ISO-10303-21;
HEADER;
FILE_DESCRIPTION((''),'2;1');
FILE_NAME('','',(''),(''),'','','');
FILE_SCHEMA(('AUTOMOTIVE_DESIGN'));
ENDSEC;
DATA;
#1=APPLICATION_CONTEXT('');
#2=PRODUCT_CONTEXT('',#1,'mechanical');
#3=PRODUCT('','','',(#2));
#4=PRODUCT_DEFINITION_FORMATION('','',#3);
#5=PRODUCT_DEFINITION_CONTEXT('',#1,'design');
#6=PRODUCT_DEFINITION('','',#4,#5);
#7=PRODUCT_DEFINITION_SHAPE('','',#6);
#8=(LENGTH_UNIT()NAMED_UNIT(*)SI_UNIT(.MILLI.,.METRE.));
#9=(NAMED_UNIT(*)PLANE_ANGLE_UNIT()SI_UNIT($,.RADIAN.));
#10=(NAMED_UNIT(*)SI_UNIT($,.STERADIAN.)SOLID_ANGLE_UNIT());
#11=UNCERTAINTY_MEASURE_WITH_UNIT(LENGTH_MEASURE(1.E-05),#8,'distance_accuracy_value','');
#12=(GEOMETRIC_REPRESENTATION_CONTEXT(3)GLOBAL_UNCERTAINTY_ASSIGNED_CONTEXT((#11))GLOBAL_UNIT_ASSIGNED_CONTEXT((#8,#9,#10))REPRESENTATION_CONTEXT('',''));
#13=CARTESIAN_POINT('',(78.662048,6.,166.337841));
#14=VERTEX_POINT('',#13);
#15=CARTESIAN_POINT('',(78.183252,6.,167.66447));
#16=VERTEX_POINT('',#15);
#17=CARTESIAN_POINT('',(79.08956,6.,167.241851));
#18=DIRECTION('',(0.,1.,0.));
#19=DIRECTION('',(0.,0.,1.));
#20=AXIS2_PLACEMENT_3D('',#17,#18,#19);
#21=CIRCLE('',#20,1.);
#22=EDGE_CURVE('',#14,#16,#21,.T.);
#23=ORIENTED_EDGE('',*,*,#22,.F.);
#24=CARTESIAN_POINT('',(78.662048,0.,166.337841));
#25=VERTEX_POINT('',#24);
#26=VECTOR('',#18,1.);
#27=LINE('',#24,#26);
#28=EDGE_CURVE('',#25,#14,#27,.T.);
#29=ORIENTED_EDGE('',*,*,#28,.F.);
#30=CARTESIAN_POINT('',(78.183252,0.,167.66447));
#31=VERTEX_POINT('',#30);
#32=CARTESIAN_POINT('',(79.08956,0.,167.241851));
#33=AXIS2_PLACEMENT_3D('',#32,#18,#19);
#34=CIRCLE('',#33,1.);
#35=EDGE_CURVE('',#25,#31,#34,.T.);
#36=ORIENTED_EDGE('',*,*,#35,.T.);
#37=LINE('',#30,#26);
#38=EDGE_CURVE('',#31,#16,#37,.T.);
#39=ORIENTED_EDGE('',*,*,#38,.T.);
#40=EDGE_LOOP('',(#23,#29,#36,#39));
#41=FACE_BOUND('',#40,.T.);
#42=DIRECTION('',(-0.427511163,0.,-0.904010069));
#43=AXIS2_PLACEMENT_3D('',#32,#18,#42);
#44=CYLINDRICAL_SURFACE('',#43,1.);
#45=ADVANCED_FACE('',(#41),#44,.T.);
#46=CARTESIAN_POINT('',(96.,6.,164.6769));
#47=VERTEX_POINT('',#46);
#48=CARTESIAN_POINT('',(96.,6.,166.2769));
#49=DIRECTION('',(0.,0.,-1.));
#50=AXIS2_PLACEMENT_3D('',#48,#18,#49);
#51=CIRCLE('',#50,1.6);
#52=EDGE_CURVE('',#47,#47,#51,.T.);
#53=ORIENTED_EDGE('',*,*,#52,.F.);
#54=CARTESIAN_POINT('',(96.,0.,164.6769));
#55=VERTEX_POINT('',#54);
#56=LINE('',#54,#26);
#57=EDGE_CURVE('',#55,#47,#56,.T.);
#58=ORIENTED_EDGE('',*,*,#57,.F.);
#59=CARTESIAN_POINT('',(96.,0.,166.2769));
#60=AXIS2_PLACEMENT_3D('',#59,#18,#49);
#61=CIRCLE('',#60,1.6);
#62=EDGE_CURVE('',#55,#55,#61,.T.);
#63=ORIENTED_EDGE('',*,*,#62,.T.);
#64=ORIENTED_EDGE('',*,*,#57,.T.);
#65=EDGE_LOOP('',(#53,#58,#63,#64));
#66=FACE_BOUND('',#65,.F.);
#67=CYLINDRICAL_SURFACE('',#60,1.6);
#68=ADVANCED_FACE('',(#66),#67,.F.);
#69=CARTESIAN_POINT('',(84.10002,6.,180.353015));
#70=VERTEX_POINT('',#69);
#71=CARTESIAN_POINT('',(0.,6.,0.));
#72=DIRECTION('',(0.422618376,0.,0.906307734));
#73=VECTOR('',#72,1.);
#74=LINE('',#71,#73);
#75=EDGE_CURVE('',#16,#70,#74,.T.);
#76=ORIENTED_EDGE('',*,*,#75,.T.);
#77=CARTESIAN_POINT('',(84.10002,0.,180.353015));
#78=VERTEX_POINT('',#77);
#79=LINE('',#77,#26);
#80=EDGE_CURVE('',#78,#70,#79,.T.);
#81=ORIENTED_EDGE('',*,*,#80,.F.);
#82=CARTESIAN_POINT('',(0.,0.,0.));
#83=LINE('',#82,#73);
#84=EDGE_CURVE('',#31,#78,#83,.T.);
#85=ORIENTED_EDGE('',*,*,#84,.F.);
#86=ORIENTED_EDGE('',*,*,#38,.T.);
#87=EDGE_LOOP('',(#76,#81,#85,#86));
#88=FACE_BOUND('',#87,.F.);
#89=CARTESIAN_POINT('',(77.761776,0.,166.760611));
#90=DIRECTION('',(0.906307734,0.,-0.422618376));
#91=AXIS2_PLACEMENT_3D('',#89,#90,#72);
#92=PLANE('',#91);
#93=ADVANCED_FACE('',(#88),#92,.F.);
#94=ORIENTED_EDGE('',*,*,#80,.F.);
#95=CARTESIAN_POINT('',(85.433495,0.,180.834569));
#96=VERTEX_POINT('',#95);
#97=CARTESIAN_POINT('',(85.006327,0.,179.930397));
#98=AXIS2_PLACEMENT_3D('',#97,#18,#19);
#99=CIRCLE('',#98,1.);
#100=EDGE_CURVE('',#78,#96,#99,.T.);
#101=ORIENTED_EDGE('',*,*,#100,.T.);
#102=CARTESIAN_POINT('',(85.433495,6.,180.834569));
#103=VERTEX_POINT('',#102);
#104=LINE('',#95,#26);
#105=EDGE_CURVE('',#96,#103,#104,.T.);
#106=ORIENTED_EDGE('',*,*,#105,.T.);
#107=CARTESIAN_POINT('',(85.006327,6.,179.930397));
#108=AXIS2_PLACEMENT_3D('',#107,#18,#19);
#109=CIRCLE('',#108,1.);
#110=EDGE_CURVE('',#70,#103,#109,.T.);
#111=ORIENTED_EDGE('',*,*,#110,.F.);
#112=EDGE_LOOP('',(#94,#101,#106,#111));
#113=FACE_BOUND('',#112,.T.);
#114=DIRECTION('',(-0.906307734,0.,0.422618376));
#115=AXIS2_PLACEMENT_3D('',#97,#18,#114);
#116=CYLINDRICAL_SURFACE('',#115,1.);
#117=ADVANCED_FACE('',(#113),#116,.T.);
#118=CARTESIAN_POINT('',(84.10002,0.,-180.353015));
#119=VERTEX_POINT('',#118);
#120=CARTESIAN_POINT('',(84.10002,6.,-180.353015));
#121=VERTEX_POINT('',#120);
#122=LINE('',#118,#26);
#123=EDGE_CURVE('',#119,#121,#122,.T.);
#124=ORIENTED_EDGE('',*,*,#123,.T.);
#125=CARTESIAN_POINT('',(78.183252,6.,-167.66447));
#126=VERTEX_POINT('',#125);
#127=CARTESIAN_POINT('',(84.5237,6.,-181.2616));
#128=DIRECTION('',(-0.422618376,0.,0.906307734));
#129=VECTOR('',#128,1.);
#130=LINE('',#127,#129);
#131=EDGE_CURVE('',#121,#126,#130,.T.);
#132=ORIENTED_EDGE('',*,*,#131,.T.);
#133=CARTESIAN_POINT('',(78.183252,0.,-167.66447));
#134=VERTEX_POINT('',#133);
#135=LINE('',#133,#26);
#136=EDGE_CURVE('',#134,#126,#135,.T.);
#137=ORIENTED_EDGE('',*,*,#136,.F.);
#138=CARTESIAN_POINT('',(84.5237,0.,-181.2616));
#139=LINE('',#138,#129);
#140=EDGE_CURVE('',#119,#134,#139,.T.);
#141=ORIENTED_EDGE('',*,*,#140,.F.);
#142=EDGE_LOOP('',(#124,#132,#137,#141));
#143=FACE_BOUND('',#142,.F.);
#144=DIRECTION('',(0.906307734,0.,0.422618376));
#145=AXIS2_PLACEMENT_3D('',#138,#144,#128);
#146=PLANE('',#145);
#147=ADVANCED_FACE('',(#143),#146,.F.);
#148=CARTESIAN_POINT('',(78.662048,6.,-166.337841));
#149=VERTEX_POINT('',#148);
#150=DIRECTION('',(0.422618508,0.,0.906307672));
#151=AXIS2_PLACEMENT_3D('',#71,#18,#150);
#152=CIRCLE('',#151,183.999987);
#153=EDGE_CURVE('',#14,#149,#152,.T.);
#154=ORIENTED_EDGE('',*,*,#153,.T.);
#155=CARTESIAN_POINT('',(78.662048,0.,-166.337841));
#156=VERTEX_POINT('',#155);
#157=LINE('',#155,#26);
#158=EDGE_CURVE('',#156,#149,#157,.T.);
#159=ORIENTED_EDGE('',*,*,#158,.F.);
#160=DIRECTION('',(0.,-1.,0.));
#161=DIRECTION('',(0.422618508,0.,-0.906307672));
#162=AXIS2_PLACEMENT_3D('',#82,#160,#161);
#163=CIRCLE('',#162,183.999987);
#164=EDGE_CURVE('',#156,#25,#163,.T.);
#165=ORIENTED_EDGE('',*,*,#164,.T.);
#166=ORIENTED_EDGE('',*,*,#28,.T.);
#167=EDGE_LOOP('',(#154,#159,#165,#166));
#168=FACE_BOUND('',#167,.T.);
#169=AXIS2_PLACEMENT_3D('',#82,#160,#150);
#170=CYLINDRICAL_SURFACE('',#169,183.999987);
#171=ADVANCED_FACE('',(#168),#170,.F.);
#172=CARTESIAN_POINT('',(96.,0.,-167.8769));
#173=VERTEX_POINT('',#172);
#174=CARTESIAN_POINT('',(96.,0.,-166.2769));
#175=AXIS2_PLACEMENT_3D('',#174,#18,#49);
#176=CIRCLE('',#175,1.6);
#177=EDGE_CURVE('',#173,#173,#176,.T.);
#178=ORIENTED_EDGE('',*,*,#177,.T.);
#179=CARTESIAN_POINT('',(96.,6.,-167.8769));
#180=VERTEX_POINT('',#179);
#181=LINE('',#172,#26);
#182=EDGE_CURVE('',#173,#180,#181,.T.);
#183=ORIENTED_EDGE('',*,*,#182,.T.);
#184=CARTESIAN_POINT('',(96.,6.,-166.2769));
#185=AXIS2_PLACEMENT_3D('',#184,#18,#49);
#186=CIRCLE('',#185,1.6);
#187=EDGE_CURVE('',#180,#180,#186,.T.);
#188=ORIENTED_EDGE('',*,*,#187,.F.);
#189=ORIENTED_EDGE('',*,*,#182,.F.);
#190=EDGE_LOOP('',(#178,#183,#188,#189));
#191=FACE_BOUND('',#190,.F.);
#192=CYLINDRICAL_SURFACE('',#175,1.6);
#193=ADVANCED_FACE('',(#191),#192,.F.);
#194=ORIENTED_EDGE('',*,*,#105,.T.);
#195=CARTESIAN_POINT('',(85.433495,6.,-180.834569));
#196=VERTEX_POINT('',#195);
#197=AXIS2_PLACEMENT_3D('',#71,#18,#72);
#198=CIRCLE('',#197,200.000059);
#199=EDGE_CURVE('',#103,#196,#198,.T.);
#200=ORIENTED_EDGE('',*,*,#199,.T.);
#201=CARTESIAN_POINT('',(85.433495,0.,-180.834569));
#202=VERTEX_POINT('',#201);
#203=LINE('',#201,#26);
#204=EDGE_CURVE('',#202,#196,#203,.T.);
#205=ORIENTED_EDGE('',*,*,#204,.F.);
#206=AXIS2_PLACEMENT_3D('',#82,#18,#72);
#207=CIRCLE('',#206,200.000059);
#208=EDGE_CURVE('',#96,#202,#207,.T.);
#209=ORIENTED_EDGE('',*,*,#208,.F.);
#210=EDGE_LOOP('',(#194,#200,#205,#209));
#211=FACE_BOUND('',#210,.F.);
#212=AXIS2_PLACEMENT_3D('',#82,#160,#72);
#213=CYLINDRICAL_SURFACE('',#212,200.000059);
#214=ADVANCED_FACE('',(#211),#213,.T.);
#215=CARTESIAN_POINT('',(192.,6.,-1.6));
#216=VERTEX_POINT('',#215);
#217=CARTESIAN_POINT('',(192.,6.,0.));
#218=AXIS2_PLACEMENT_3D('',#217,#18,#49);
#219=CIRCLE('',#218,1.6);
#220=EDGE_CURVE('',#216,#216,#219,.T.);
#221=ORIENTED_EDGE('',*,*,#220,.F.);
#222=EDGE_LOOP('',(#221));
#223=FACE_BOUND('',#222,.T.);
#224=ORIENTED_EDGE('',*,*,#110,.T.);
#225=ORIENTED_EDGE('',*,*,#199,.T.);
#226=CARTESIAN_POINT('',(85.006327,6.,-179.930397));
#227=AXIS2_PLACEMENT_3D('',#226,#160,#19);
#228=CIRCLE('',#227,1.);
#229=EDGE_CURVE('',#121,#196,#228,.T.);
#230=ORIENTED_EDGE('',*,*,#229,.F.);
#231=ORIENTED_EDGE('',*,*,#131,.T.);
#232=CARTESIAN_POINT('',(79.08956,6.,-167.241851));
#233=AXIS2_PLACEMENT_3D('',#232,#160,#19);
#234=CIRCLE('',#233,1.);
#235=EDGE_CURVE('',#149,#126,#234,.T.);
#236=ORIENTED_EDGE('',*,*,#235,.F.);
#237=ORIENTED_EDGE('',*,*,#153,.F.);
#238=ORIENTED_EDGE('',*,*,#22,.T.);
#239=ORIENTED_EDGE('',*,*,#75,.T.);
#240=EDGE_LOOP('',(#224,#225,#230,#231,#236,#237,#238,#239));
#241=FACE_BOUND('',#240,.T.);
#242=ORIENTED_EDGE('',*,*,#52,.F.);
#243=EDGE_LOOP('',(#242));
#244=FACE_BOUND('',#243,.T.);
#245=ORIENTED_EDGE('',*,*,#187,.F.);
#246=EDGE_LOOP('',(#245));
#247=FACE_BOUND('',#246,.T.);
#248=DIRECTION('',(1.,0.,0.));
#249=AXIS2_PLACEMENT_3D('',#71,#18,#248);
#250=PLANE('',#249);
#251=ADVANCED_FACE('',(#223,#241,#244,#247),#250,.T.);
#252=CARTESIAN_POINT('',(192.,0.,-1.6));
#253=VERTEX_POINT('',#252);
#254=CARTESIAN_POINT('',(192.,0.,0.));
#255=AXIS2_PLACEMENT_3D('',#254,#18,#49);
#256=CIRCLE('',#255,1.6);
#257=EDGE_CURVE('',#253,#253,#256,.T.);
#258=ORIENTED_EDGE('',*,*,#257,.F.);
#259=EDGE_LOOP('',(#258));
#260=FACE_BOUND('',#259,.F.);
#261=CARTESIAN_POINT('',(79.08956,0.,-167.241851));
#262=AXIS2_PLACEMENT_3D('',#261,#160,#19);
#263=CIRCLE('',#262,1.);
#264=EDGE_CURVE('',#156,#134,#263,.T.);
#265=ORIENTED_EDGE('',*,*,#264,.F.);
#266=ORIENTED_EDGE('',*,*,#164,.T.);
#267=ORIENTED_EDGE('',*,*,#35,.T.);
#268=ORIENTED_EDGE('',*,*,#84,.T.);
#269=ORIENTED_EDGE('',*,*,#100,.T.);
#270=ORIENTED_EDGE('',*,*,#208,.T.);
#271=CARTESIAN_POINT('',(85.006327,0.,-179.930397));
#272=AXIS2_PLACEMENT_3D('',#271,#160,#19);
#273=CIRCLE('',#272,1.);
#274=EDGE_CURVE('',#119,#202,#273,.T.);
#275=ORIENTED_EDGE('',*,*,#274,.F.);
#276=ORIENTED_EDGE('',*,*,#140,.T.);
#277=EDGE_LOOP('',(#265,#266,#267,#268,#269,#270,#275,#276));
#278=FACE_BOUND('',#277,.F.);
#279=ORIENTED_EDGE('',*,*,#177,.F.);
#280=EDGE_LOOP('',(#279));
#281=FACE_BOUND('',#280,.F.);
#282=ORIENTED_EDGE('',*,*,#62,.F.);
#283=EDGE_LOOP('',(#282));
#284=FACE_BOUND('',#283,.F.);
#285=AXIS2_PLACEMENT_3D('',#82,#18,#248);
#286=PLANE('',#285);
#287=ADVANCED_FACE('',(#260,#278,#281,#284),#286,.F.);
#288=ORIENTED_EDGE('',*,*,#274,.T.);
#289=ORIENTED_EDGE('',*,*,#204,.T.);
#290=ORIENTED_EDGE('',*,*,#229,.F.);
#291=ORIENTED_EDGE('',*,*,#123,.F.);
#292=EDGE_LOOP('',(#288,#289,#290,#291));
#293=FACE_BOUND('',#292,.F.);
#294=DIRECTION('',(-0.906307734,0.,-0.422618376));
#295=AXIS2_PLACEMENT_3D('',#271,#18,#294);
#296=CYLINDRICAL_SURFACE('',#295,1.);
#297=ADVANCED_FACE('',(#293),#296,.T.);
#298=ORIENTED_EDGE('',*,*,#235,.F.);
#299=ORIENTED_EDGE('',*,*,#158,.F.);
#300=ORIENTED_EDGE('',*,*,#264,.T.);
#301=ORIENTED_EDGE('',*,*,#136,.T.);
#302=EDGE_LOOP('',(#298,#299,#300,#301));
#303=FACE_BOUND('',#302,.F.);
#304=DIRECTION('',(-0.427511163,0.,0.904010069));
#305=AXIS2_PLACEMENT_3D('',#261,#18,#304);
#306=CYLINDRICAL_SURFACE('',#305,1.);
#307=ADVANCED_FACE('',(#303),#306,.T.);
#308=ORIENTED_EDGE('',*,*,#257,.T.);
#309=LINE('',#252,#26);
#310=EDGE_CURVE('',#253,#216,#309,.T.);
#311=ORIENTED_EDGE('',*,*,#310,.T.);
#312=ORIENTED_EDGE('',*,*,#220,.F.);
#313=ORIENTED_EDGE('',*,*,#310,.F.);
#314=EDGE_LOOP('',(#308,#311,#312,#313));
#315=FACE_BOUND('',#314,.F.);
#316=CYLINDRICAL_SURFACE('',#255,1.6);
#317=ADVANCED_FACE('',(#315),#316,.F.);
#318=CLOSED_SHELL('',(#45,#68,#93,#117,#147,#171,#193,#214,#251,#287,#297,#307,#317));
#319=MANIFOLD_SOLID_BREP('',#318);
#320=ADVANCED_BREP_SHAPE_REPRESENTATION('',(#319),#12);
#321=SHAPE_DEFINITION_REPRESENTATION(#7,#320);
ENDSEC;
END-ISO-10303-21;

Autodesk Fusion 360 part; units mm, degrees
sketch "スケッチ1" plane through (0, 0, 0) normal (0, 1, 0) x (1, 0, 0)
  arc A0 (77.7618, -166.7606) -> (77.7618, 166.7606) centre (0, 0) ccw
  arc A1 (84.5237, -181.2616) -> (84.5237, 181.2616) centre (0, 0) ccw
  line L0 (84.5237, 181.2616) -> (0, 0)
  line L1 (0, 0) -> (84.5237, -181.2616)
  arc A2 (96, -166.2769) -> (96, 166.2769) centre (0, 0) ccw
  line L2 (96, 166.2769) -> (0, 0)
  line L3 (96, -166.2769) -> (0, 0)
  line L4 (0, 0) -> (192, 0)
  dimension "d1" = 200
  dimension "d2" = 184
  dimension "d3" = 192
  dimension "d4" = 60
  dimension "d5" = 60
  dimension "d6" = 65
  dimension "d8" = 65
extrude "押し出し1" add sketch "スケッチ1" along normal blind 6 contours A0 A1 L0 L1 A2 L2 L3 | A0 A2 L3 L4 | A0 A2 L2 L4
hole "穴1" at (192, 0, 0) at (96, 0, 166.2769) at (96, 0, -166.2769) direction (0, 1, 0) diameter 3.2 end through all
fillet "フィレット1" radius 1 4 edges at (84.5237, 3, 181.2616) (77.7618, 3, 166.7606) (84.5237, 3, -181.2616) (77.7618, 3, -166.7606)
